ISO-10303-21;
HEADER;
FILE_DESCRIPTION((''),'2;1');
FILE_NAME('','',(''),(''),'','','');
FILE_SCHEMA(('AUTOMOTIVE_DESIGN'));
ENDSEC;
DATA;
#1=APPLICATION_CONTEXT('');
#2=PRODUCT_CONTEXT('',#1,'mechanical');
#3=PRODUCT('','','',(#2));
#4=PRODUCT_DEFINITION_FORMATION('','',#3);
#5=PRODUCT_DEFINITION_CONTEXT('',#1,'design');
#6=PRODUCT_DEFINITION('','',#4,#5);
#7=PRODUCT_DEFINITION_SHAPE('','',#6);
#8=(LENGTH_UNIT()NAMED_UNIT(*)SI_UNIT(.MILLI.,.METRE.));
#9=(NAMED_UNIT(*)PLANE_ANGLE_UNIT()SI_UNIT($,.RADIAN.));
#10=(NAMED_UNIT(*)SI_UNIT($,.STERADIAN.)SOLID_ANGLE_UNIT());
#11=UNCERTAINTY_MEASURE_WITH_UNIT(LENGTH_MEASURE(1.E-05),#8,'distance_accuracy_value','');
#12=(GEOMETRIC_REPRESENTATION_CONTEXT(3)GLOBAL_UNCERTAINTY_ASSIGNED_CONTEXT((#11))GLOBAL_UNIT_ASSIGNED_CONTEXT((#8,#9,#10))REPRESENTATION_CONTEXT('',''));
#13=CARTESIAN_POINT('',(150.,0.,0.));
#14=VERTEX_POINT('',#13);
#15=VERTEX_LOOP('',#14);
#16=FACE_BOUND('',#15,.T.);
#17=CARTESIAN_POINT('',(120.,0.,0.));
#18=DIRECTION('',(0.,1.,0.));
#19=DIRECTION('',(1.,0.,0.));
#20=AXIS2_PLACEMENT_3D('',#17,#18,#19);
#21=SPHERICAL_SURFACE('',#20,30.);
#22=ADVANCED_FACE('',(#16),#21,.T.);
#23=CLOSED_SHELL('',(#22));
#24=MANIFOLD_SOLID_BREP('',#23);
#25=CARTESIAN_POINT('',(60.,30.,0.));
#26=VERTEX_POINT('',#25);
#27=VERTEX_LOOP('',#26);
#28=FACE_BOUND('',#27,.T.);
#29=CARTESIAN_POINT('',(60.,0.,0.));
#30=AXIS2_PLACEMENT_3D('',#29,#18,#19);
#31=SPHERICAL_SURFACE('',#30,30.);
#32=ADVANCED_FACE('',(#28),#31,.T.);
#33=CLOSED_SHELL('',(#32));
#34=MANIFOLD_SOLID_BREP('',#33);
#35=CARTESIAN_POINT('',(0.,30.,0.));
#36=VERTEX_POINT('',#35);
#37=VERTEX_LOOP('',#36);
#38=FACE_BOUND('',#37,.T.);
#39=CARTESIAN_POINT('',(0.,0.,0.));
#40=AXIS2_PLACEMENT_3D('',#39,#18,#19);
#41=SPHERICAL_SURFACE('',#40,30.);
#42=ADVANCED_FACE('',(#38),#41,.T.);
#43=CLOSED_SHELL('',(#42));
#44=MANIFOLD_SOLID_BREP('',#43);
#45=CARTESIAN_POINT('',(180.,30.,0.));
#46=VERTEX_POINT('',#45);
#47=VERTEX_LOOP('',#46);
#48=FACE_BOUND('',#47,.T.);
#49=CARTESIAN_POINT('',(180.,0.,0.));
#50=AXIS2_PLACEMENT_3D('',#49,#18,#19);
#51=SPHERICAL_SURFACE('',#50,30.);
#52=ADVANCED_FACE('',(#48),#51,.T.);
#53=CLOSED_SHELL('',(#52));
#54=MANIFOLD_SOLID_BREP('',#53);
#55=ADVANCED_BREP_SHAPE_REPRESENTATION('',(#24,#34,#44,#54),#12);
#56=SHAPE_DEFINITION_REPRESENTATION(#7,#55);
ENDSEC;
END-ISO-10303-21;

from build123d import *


with BuildPart() as part:
    # 草圖1 → 旋轉1 (revolve)
    with BuildSketch(Plane.XY):
        with BuildLine():
            ThreePointArc((0, -30), (30, 0), (0, 30))
            Line((0, 30), (0, -30))
        make_face()
    revolve(axis=Axis((0, 30, 0), (0, -1, 0)))


with BuildPart() as body_2:
    # 草圖1<8> → 旋轉2 (revolve)
    with BuildSketch(Plane.XY):
        with BuildLine():
            ThreePointArc((60, -30), (90, 0), (60, 30))
            Line((60, 30), (60, -30))
        make_face()
    revolve(axis=Axis((60, 30, 0), (0, -1, 0)))


with BuildPart() as body_3:
    # 草圖1<9> → 旋轉3 (revolve)
    with BuildSketch(Plane.XY):
        with BuildLine():
            ThreePointArc((120.355011354, -29.997899375), (149.999474839, 0.177508784), (120, 30))
            Line((120, 30), (120, -30))
            ThreePointArc((120, -30), (120.177508784, -29.999474839), (120.355011354, -29.997899375))
        make_face()
    revolve(axis=Axis((120, -30, 0), (0, -1, 0)))


with BuildPart() as body_4:
    # 草圖1<10> → 旋轉4 (revolve)
    with BuildSketch(Plane.XY):
        with BuildLine():
            Line((180, 30), (180, -30))
            ThreePointArc((180, -30), (210, 0), (180, 30))
        make_face()
    revolve(axis=Axis((180, 30, 0), (0, -1, 0)))


solid = Compound([part.part, body_2.part, body_3.part, body_4.part])
